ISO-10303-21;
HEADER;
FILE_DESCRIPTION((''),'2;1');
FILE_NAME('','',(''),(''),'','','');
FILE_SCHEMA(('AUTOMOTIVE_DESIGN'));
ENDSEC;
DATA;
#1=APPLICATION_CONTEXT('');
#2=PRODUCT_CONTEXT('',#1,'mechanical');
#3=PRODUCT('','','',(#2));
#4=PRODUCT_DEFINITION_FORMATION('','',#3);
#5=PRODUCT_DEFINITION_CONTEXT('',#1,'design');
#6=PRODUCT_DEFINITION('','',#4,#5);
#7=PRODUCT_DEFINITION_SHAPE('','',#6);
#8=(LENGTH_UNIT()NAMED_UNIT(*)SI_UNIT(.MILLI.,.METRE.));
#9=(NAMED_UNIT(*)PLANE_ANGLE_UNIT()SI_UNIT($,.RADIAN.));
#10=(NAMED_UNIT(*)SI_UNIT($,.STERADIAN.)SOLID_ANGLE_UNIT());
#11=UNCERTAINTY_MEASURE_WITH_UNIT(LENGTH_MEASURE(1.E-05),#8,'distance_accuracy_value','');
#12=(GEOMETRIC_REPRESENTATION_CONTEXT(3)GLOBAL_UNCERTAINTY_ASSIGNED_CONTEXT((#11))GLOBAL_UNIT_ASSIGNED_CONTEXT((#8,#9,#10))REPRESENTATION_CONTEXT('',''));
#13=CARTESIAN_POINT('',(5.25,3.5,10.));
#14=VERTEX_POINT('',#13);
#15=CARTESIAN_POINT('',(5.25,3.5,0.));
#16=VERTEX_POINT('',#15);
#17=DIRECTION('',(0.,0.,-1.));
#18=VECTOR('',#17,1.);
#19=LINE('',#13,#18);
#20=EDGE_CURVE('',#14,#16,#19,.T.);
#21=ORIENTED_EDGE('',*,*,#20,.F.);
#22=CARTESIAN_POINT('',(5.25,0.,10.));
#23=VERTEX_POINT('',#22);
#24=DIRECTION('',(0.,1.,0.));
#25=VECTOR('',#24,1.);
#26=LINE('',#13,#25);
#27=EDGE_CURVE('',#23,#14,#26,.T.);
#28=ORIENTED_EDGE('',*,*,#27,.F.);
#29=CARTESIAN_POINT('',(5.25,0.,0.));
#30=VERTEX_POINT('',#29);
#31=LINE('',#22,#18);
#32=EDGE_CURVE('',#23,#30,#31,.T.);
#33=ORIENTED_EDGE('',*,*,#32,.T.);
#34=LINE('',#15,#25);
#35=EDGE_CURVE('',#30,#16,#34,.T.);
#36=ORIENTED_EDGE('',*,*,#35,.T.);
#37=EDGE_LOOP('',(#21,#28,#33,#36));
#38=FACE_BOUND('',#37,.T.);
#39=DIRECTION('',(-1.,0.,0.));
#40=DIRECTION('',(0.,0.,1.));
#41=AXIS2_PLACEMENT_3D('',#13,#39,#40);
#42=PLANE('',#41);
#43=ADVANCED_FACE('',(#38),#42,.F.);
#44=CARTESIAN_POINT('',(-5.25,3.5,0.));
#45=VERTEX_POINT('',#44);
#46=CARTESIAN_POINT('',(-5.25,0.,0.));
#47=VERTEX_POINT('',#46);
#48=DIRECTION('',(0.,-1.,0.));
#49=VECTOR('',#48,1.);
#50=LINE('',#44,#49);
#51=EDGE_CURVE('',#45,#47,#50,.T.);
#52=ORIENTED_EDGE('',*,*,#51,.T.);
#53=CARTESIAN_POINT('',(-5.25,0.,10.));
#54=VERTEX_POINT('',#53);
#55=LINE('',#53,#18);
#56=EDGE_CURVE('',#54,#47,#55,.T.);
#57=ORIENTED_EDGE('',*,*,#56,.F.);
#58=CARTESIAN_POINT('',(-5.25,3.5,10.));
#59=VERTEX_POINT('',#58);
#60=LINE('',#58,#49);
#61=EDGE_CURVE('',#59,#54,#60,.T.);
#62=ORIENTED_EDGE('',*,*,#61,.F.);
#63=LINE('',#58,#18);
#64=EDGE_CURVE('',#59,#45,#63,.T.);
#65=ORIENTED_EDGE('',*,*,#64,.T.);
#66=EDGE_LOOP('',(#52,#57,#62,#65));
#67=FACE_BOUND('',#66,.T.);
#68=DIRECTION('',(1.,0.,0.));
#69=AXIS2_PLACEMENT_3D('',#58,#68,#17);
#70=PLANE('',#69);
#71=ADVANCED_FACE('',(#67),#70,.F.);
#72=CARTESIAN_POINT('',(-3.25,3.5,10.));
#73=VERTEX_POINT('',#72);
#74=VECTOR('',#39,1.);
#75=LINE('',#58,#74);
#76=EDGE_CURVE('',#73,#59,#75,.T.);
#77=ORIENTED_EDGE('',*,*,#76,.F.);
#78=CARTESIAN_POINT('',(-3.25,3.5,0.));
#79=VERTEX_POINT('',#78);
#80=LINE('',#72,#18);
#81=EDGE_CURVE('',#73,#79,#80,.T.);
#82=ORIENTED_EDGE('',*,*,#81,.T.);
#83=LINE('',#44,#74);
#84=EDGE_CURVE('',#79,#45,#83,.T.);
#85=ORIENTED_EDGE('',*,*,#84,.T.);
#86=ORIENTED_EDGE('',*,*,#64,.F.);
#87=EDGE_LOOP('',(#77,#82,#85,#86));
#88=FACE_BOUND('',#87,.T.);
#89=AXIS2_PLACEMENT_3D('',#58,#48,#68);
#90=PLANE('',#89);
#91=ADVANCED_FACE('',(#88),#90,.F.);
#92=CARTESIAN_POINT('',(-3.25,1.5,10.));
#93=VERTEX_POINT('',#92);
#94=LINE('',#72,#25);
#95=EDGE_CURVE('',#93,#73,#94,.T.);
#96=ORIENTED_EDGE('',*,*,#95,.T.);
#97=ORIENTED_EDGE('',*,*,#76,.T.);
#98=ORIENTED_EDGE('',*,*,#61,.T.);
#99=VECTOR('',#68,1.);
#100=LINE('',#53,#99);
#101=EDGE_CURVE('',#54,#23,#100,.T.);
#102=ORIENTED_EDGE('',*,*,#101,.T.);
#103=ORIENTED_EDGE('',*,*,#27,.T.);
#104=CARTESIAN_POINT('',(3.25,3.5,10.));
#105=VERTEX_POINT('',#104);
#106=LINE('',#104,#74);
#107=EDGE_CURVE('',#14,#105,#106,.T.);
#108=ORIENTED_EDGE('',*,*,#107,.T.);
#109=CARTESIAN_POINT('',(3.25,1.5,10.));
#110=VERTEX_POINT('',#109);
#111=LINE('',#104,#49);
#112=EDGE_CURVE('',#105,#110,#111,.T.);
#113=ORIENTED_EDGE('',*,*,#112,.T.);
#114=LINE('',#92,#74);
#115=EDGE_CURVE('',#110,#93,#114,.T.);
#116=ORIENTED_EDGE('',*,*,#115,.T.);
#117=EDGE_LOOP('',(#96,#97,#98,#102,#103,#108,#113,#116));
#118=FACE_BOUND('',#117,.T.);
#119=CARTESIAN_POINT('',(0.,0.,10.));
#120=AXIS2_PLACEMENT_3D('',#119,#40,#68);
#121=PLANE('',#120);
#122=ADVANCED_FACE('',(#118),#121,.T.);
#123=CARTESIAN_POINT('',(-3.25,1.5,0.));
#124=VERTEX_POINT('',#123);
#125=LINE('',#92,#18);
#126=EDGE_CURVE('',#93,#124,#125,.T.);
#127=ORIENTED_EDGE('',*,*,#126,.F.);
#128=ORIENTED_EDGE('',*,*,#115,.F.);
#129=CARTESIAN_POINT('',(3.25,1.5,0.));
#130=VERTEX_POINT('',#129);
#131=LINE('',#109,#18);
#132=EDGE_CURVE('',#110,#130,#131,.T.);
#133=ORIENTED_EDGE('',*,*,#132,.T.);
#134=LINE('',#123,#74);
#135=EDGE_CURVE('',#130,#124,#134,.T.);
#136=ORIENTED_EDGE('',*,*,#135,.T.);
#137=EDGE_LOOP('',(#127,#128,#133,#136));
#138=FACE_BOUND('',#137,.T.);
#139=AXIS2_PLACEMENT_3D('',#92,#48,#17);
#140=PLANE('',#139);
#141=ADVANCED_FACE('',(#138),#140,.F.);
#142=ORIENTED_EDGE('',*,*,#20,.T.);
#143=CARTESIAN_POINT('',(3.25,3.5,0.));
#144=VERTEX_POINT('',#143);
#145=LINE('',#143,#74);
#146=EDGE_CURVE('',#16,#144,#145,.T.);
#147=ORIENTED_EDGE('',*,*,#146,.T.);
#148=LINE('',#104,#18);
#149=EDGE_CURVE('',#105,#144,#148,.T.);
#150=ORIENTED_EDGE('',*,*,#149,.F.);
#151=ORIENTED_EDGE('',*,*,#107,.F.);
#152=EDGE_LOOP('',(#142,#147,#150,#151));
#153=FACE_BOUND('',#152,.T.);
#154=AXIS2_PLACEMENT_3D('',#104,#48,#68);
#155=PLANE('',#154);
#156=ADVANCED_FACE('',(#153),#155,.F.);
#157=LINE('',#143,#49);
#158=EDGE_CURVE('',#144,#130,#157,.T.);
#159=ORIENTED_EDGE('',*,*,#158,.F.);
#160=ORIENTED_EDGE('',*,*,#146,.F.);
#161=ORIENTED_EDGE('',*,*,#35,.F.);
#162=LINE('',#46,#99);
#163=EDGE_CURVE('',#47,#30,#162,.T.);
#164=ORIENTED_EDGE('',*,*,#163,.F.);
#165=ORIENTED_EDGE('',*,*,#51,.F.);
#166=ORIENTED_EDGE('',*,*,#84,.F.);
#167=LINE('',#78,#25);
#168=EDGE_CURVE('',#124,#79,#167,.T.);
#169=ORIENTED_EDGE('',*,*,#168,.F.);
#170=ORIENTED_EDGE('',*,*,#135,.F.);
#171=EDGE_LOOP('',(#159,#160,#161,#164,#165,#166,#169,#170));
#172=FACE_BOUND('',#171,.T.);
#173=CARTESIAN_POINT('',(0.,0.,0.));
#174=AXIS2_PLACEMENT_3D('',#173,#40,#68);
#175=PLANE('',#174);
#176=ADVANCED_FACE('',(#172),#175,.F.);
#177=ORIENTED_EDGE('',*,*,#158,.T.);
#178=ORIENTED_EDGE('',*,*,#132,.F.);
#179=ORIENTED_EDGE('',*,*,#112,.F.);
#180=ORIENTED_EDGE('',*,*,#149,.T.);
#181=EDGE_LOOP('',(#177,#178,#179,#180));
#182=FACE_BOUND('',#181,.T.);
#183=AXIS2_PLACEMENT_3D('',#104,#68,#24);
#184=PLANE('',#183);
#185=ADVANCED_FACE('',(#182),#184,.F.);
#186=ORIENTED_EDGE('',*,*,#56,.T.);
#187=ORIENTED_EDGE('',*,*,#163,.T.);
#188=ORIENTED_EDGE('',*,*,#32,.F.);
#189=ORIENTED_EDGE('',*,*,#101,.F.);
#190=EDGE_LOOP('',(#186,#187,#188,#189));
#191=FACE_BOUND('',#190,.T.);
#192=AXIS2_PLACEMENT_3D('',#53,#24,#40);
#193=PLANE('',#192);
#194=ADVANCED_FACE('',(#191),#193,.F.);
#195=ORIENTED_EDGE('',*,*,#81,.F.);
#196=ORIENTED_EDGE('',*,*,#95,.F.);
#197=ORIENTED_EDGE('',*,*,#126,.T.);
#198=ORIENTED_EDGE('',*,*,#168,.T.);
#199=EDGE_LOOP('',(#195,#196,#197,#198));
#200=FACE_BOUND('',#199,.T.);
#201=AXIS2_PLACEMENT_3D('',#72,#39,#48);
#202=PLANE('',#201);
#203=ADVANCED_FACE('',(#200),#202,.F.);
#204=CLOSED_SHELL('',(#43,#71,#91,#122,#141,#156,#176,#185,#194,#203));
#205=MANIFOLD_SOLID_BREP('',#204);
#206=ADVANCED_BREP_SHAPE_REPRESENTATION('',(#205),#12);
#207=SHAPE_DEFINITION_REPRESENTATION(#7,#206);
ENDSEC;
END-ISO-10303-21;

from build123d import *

# Parameters (mm, degrees)
EXTRUDE_1_DEPTH = 10


with BuildPart() as part:
    # 草圖1 → 填料-伸長1 (new body)
    with BuildSketch(Plane.XY):
        Polygon((3.25, 3.5), (5.25, 3.5), (5.25, 0), (-5.25, 0), (-5.25, 3.5), (-3.25, 3.5), (-3.25, 1.5), (3.25, 1.5), align=None)
    extrude(amount=EXTRUDE_1_DEPTH)


solid = part.part
